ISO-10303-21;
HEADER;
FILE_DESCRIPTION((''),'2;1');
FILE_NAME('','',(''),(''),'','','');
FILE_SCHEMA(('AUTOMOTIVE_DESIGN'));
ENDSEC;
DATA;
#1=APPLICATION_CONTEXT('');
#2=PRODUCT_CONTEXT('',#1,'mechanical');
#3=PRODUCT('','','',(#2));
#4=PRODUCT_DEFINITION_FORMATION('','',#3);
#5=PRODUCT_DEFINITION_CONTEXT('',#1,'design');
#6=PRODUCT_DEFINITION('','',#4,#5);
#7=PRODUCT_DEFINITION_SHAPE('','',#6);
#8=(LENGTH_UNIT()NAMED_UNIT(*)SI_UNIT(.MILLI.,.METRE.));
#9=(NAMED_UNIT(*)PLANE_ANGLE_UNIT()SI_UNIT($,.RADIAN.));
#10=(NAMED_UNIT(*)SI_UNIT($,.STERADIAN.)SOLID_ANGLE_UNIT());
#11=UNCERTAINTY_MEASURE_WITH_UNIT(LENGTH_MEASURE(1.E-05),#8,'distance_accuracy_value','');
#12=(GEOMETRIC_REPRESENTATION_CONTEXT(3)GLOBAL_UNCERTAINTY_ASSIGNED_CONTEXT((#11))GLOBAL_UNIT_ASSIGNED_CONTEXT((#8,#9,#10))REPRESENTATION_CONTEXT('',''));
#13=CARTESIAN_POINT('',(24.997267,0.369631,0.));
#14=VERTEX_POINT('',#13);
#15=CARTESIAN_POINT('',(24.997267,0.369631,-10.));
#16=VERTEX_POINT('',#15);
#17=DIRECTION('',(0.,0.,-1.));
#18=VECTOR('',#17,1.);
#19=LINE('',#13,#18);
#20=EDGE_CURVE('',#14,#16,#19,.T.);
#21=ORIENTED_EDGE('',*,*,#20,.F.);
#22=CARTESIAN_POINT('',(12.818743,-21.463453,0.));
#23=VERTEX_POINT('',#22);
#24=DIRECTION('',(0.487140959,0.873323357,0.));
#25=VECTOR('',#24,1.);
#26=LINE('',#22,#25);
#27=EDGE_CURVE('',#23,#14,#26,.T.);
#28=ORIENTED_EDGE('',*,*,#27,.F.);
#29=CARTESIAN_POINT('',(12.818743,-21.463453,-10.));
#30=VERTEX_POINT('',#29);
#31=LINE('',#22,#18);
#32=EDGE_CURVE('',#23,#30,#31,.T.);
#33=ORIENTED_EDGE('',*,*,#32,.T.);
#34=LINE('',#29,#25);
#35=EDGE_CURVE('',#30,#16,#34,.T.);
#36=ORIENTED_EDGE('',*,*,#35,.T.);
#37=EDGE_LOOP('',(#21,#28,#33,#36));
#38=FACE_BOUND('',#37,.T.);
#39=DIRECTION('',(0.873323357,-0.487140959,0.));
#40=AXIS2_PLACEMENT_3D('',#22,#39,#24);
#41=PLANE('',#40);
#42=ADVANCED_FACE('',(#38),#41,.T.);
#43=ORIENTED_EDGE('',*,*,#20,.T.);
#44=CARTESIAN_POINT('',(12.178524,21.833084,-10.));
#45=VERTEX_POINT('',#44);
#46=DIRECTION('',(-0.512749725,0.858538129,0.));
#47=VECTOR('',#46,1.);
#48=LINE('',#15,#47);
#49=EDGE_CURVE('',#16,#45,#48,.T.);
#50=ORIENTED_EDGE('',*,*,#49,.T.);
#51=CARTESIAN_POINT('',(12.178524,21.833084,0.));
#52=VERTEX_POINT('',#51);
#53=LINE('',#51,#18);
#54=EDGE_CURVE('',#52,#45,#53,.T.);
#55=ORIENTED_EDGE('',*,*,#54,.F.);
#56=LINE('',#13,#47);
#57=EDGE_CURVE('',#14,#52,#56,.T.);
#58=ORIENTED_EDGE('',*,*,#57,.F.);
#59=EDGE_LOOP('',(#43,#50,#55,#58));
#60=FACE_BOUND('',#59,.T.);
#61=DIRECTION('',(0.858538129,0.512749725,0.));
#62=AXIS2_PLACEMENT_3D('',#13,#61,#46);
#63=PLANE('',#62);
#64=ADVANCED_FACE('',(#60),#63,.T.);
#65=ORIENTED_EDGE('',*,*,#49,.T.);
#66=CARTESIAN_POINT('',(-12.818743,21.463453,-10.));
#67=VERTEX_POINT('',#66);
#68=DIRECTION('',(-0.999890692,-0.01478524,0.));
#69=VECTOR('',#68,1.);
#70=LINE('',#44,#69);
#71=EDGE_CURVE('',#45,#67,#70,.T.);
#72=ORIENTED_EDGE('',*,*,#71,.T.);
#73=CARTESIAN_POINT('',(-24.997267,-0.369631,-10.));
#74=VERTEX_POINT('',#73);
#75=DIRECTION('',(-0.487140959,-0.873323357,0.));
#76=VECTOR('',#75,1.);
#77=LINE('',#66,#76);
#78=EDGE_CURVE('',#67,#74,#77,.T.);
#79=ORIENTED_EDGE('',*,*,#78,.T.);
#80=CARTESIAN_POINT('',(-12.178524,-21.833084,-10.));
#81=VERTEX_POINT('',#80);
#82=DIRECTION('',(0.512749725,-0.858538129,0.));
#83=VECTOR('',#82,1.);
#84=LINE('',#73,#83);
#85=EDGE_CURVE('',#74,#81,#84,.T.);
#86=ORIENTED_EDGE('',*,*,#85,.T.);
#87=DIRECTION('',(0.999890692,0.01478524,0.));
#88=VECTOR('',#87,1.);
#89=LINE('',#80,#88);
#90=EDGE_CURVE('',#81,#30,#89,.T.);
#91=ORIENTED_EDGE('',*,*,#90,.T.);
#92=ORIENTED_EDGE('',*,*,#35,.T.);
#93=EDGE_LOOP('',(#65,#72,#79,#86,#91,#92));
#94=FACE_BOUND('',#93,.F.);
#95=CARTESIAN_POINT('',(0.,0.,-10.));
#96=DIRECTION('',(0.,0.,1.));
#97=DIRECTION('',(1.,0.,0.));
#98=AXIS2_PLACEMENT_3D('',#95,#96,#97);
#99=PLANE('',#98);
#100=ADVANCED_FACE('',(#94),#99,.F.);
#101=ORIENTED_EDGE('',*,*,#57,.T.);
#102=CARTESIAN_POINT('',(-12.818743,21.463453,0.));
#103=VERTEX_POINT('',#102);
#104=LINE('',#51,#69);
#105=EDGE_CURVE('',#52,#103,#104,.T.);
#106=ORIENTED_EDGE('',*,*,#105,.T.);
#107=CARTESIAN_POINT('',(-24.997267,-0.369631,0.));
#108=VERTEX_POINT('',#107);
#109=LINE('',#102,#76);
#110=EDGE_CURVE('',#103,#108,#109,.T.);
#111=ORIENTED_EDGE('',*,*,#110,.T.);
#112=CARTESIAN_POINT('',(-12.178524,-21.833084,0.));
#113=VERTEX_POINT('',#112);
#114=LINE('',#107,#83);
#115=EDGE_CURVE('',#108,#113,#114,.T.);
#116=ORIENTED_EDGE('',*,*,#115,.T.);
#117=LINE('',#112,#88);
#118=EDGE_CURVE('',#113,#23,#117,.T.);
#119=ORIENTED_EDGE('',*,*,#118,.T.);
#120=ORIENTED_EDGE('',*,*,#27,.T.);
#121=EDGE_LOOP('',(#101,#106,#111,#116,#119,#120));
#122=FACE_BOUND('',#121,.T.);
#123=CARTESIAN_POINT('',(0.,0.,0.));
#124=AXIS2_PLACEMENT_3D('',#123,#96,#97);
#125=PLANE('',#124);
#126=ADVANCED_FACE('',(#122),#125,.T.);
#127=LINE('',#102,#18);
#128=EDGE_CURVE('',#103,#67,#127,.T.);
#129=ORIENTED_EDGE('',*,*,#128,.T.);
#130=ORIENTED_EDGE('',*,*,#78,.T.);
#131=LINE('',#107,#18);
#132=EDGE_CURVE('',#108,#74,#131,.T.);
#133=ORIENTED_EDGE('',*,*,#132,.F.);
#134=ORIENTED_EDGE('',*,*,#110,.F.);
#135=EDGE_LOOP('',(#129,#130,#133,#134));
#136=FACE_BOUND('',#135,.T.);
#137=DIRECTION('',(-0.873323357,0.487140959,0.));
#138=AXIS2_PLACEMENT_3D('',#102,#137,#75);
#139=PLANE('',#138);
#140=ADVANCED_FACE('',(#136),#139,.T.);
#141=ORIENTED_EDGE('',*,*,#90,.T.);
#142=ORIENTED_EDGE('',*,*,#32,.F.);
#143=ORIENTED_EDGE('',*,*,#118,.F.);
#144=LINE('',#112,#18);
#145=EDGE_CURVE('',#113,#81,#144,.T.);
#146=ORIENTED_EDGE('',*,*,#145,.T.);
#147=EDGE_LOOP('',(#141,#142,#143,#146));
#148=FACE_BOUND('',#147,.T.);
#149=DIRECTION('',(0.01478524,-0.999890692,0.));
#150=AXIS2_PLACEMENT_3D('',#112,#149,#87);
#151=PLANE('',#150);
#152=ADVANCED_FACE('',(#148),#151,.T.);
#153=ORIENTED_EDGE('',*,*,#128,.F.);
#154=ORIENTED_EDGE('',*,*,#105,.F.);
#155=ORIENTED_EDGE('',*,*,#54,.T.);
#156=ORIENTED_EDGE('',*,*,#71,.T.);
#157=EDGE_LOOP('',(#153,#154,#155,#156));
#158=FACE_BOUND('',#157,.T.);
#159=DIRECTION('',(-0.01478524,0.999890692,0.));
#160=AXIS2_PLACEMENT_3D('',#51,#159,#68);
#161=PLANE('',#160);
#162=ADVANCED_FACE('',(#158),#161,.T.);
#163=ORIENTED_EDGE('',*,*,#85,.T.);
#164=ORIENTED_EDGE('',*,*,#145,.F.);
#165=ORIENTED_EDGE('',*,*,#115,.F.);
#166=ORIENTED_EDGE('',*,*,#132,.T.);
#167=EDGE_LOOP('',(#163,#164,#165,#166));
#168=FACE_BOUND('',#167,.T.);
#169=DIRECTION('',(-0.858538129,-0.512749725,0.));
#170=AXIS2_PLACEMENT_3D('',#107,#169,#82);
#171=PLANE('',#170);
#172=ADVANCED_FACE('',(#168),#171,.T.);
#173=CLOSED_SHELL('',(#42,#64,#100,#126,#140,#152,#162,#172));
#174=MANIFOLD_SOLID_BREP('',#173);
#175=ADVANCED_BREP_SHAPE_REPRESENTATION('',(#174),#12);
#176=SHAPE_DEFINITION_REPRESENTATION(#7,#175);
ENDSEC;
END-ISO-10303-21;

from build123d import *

# Parameters (mm, degrees)
F1_DEPTH = 10


with BuildPart() as f1:
    # F0 (on Top) → F1 (new body)
    with BuildSketch(Plane.XY):
        Polygon((24.997267, 0.369631), (12.178524, 21.833084), (-12.818743, 21.463453), (-24.997267, -0.369631), (-12.178524, -21.833084), (12.818743, -21.463453), align=None)
    extrude(amount=-F1_DEPTH)


solid = f1.part
